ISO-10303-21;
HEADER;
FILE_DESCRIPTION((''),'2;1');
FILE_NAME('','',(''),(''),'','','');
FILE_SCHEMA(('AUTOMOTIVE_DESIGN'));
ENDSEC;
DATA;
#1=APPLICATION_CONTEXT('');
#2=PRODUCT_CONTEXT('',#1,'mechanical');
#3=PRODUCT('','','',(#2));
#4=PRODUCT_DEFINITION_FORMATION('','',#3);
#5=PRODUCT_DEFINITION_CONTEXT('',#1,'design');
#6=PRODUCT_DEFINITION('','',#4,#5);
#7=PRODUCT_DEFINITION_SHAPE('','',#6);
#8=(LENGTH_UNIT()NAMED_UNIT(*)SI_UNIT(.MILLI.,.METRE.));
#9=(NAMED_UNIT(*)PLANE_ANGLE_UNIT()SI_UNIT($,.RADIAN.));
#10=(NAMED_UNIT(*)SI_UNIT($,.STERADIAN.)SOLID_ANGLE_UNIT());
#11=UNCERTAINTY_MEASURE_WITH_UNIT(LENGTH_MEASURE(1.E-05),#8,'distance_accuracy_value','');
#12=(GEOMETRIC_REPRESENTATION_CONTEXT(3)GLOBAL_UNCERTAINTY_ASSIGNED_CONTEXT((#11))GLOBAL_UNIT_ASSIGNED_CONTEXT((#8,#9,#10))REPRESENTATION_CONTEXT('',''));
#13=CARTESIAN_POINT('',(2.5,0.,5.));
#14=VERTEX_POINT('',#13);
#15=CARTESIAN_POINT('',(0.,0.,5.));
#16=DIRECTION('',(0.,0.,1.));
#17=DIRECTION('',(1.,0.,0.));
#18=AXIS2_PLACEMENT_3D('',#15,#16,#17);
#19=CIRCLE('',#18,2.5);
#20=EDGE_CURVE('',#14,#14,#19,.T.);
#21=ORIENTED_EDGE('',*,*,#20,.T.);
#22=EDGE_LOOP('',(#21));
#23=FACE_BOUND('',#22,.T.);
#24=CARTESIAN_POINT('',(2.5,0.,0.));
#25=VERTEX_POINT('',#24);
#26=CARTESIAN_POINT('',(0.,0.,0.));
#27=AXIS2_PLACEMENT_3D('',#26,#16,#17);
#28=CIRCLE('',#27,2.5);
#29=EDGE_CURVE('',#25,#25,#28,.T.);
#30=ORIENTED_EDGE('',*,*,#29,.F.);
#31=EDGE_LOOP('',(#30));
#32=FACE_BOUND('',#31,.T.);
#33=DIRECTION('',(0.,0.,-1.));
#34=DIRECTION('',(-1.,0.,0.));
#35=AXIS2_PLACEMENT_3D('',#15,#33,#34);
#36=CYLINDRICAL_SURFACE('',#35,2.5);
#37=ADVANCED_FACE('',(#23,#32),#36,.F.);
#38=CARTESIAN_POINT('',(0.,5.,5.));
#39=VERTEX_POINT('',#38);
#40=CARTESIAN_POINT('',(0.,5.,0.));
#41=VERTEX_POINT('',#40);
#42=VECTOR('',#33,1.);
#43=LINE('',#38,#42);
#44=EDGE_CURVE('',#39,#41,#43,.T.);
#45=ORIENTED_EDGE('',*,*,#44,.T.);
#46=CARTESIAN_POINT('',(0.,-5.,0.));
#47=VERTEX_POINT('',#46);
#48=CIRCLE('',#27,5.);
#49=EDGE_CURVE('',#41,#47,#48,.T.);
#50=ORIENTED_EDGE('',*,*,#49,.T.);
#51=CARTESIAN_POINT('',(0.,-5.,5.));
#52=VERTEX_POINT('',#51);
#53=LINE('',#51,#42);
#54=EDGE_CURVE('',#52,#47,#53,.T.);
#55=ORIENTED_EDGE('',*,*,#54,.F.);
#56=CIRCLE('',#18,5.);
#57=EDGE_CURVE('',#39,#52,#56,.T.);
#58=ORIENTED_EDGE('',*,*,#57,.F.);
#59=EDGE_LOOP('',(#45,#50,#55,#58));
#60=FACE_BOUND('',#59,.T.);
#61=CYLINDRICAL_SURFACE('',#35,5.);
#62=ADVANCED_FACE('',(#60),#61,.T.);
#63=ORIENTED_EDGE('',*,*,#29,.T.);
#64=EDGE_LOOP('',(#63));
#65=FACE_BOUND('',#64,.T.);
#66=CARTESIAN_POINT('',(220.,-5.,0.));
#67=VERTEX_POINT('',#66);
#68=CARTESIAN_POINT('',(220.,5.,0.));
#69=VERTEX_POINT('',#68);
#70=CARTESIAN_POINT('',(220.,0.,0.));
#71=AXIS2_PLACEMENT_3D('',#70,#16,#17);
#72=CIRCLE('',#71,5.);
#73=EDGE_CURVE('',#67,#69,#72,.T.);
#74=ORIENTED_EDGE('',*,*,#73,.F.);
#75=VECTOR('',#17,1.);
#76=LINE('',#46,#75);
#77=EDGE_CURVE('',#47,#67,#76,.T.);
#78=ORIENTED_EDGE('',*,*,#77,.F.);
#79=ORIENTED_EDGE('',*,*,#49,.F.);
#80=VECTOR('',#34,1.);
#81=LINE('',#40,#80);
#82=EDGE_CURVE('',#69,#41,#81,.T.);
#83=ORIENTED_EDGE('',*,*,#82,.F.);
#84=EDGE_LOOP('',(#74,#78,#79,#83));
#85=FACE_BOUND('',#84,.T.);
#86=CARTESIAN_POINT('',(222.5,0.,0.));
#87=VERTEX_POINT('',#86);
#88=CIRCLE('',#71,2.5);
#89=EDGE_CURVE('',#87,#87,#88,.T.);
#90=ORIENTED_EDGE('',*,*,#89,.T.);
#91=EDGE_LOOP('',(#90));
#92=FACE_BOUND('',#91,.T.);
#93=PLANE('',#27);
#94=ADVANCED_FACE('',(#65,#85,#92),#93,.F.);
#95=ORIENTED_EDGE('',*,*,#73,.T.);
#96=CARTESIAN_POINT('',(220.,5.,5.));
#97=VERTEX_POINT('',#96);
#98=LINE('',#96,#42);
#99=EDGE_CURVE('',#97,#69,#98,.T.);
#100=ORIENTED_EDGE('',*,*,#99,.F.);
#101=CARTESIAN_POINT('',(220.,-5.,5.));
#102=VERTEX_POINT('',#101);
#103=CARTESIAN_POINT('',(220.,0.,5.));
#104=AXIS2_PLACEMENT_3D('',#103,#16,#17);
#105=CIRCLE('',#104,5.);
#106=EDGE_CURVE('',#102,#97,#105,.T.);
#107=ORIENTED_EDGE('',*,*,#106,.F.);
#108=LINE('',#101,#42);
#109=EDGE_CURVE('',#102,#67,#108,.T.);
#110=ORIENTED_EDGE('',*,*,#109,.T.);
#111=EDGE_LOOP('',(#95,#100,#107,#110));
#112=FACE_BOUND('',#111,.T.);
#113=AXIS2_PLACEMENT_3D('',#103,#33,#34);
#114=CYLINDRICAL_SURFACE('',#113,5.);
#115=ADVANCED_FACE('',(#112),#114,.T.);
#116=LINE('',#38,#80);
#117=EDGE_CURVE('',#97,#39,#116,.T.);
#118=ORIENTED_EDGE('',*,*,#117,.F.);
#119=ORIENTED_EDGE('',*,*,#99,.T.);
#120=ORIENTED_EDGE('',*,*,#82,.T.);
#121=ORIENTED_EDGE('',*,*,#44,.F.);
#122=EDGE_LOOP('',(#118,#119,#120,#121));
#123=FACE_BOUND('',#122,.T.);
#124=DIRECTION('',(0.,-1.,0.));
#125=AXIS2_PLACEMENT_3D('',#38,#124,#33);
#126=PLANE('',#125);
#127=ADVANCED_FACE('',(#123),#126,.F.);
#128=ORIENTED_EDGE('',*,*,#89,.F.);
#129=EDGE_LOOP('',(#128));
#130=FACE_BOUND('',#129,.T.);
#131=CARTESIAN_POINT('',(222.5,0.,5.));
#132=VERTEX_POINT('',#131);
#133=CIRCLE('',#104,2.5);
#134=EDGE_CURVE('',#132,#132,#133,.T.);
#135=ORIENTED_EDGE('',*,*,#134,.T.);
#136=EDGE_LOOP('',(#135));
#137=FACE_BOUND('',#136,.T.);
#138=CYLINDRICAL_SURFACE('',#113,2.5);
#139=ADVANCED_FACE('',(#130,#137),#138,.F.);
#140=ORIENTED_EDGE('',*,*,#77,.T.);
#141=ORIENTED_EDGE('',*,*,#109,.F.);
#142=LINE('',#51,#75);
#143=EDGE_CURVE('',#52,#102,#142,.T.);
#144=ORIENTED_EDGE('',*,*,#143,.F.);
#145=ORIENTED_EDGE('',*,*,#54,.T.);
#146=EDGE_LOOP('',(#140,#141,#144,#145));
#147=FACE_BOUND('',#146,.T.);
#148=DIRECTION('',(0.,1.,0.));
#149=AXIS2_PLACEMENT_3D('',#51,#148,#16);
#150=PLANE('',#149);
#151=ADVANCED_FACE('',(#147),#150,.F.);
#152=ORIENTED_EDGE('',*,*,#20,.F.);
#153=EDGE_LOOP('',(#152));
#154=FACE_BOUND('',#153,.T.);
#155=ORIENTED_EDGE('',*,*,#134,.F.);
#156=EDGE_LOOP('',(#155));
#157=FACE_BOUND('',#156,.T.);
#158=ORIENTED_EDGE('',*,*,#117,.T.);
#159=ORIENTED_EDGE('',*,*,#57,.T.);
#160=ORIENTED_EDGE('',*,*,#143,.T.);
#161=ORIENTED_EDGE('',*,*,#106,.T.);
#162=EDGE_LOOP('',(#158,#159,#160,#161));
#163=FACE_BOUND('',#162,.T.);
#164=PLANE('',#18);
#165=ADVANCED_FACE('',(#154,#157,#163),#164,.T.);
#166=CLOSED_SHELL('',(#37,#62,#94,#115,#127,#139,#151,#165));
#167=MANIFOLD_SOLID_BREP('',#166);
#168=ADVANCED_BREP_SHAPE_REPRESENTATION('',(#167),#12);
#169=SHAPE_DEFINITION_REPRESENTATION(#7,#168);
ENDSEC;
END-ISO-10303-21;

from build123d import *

# Parameters (mm, degrees)
SKETCH_1_R      = 2.5
EXTRUDE_4_DEPTH = 5


with BuildPart() as part:
    # 草图1 → 凸台-拉伸4 (new body)
    with BuildSketch(Plane.XY):
        with BuildLine():
            Line((0, 5), (220, 5))
            ThreePointArc((220, 5), (225, 0), (220, -5))
            Line((220, -5), (0, -5))
            ThreePointArc((0, -5), (-5, 0), (0, 5))
        make_face()
        Circle(SKETCH_1_R, mode=Mode.SUBTRACT)
        with Locations((220, 0)):
            Circle(SKETCH_1_R, mode=Mode.SUBTRACT)
    extrude(amount=EXTRUDE_4_DEPTH)


solid = part.part
